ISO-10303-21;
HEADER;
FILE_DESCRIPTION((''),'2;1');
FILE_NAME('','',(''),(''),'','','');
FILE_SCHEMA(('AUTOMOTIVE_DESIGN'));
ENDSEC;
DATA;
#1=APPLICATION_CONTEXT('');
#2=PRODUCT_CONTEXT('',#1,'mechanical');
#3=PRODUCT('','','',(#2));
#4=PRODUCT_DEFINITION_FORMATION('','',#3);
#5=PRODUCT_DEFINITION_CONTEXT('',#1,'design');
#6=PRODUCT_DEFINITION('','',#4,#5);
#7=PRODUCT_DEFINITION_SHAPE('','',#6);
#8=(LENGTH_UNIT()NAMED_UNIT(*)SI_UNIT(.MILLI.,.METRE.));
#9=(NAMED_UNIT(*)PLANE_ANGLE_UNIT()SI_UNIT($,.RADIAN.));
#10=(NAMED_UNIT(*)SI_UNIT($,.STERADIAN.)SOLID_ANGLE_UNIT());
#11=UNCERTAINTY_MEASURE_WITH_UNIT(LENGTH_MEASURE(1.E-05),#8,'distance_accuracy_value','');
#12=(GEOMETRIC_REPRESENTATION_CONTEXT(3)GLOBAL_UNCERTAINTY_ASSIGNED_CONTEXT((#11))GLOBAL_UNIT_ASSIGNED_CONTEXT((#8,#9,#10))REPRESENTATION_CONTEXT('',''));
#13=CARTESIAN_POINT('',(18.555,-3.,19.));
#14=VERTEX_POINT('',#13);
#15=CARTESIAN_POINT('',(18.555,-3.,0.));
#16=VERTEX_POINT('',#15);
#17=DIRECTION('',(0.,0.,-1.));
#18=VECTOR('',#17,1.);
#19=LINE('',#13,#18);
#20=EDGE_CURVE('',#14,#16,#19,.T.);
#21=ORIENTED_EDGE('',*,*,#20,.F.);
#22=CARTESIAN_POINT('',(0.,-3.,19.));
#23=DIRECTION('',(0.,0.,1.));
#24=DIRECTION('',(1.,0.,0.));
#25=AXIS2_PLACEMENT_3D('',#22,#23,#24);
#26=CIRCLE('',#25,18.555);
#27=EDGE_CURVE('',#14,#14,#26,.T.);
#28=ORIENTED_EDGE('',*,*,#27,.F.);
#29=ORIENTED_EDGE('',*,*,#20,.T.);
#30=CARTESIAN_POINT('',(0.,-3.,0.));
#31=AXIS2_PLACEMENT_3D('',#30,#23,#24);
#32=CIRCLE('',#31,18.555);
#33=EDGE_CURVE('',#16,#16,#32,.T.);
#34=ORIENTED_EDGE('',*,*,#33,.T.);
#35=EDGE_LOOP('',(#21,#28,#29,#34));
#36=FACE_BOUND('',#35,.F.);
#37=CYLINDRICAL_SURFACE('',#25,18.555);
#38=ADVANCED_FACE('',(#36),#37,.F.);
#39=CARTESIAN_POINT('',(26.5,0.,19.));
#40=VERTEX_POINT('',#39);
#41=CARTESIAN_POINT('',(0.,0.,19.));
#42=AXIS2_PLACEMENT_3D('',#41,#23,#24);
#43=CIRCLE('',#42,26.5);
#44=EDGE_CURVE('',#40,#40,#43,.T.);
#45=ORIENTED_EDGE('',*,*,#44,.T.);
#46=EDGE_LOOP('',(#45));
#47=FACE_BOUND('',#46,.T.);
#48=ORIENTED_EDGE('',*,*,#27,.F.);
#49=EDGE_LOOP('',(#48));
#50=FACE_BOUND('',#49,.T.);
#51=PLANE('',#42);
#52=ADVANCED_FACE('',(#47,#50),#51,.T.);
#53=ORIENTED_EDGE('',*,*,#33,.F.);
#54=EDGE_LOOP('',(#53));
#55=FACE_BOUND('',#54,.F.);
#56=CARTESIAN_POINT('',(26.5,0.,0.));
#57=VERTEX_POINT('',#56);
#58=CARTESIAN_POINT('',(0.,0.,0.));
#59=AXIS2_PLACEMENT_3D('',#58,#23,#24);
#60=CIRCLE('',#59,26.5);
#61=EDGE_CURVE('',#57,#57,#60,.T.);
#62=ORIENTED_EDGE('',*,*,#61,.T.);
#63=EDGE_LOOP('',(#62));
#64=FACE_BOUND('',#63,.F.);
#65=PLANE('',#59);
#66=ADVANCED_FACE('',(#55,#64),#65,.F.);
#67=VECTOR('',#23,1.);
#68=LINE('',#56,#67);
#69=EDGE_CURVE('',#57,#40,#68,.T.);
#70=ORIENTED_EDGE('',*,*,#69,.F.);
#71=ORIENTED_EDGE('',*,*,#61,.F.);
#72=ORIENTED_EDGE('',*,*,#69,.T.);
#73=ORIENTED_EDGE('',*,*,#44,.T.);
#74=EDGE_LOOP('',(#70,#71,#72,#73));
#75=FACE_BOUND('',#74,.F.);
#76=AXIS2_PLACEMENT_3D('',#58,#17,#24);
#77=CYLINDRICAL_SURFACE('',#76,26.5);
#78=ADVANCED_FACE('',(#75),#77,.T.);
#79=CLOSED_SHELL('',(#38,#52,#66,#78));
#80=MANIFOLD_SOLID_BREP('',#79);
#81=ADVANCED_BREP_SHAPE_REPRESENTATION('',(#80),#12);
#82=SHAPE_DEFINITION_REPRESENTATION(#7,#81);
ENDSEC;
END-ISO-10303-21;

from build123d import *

# Parameters (mm, degrees)
F0_R     = 26.5
F1_DEPTH = 19
F2_R     = 18.555
F3_DEPTH = 19.001


with BuildPart() as f1:
    # F0 (on Top) → F1 (new body)
    with BuildSketch(Plane.XY):
        Circle(F0_R)
    extrude(amount=F1_DEPTH)

    # F2 (on face) → F3 (cut, through all)
    with BuildSketch(Plane.XY.offset(19)):
        with Locations((0, -3)):
            Circle(F2_R)
    extrude(amount=-F3_DEPTH, mode=Mode.SUBTRACT)


solid = f1.part
